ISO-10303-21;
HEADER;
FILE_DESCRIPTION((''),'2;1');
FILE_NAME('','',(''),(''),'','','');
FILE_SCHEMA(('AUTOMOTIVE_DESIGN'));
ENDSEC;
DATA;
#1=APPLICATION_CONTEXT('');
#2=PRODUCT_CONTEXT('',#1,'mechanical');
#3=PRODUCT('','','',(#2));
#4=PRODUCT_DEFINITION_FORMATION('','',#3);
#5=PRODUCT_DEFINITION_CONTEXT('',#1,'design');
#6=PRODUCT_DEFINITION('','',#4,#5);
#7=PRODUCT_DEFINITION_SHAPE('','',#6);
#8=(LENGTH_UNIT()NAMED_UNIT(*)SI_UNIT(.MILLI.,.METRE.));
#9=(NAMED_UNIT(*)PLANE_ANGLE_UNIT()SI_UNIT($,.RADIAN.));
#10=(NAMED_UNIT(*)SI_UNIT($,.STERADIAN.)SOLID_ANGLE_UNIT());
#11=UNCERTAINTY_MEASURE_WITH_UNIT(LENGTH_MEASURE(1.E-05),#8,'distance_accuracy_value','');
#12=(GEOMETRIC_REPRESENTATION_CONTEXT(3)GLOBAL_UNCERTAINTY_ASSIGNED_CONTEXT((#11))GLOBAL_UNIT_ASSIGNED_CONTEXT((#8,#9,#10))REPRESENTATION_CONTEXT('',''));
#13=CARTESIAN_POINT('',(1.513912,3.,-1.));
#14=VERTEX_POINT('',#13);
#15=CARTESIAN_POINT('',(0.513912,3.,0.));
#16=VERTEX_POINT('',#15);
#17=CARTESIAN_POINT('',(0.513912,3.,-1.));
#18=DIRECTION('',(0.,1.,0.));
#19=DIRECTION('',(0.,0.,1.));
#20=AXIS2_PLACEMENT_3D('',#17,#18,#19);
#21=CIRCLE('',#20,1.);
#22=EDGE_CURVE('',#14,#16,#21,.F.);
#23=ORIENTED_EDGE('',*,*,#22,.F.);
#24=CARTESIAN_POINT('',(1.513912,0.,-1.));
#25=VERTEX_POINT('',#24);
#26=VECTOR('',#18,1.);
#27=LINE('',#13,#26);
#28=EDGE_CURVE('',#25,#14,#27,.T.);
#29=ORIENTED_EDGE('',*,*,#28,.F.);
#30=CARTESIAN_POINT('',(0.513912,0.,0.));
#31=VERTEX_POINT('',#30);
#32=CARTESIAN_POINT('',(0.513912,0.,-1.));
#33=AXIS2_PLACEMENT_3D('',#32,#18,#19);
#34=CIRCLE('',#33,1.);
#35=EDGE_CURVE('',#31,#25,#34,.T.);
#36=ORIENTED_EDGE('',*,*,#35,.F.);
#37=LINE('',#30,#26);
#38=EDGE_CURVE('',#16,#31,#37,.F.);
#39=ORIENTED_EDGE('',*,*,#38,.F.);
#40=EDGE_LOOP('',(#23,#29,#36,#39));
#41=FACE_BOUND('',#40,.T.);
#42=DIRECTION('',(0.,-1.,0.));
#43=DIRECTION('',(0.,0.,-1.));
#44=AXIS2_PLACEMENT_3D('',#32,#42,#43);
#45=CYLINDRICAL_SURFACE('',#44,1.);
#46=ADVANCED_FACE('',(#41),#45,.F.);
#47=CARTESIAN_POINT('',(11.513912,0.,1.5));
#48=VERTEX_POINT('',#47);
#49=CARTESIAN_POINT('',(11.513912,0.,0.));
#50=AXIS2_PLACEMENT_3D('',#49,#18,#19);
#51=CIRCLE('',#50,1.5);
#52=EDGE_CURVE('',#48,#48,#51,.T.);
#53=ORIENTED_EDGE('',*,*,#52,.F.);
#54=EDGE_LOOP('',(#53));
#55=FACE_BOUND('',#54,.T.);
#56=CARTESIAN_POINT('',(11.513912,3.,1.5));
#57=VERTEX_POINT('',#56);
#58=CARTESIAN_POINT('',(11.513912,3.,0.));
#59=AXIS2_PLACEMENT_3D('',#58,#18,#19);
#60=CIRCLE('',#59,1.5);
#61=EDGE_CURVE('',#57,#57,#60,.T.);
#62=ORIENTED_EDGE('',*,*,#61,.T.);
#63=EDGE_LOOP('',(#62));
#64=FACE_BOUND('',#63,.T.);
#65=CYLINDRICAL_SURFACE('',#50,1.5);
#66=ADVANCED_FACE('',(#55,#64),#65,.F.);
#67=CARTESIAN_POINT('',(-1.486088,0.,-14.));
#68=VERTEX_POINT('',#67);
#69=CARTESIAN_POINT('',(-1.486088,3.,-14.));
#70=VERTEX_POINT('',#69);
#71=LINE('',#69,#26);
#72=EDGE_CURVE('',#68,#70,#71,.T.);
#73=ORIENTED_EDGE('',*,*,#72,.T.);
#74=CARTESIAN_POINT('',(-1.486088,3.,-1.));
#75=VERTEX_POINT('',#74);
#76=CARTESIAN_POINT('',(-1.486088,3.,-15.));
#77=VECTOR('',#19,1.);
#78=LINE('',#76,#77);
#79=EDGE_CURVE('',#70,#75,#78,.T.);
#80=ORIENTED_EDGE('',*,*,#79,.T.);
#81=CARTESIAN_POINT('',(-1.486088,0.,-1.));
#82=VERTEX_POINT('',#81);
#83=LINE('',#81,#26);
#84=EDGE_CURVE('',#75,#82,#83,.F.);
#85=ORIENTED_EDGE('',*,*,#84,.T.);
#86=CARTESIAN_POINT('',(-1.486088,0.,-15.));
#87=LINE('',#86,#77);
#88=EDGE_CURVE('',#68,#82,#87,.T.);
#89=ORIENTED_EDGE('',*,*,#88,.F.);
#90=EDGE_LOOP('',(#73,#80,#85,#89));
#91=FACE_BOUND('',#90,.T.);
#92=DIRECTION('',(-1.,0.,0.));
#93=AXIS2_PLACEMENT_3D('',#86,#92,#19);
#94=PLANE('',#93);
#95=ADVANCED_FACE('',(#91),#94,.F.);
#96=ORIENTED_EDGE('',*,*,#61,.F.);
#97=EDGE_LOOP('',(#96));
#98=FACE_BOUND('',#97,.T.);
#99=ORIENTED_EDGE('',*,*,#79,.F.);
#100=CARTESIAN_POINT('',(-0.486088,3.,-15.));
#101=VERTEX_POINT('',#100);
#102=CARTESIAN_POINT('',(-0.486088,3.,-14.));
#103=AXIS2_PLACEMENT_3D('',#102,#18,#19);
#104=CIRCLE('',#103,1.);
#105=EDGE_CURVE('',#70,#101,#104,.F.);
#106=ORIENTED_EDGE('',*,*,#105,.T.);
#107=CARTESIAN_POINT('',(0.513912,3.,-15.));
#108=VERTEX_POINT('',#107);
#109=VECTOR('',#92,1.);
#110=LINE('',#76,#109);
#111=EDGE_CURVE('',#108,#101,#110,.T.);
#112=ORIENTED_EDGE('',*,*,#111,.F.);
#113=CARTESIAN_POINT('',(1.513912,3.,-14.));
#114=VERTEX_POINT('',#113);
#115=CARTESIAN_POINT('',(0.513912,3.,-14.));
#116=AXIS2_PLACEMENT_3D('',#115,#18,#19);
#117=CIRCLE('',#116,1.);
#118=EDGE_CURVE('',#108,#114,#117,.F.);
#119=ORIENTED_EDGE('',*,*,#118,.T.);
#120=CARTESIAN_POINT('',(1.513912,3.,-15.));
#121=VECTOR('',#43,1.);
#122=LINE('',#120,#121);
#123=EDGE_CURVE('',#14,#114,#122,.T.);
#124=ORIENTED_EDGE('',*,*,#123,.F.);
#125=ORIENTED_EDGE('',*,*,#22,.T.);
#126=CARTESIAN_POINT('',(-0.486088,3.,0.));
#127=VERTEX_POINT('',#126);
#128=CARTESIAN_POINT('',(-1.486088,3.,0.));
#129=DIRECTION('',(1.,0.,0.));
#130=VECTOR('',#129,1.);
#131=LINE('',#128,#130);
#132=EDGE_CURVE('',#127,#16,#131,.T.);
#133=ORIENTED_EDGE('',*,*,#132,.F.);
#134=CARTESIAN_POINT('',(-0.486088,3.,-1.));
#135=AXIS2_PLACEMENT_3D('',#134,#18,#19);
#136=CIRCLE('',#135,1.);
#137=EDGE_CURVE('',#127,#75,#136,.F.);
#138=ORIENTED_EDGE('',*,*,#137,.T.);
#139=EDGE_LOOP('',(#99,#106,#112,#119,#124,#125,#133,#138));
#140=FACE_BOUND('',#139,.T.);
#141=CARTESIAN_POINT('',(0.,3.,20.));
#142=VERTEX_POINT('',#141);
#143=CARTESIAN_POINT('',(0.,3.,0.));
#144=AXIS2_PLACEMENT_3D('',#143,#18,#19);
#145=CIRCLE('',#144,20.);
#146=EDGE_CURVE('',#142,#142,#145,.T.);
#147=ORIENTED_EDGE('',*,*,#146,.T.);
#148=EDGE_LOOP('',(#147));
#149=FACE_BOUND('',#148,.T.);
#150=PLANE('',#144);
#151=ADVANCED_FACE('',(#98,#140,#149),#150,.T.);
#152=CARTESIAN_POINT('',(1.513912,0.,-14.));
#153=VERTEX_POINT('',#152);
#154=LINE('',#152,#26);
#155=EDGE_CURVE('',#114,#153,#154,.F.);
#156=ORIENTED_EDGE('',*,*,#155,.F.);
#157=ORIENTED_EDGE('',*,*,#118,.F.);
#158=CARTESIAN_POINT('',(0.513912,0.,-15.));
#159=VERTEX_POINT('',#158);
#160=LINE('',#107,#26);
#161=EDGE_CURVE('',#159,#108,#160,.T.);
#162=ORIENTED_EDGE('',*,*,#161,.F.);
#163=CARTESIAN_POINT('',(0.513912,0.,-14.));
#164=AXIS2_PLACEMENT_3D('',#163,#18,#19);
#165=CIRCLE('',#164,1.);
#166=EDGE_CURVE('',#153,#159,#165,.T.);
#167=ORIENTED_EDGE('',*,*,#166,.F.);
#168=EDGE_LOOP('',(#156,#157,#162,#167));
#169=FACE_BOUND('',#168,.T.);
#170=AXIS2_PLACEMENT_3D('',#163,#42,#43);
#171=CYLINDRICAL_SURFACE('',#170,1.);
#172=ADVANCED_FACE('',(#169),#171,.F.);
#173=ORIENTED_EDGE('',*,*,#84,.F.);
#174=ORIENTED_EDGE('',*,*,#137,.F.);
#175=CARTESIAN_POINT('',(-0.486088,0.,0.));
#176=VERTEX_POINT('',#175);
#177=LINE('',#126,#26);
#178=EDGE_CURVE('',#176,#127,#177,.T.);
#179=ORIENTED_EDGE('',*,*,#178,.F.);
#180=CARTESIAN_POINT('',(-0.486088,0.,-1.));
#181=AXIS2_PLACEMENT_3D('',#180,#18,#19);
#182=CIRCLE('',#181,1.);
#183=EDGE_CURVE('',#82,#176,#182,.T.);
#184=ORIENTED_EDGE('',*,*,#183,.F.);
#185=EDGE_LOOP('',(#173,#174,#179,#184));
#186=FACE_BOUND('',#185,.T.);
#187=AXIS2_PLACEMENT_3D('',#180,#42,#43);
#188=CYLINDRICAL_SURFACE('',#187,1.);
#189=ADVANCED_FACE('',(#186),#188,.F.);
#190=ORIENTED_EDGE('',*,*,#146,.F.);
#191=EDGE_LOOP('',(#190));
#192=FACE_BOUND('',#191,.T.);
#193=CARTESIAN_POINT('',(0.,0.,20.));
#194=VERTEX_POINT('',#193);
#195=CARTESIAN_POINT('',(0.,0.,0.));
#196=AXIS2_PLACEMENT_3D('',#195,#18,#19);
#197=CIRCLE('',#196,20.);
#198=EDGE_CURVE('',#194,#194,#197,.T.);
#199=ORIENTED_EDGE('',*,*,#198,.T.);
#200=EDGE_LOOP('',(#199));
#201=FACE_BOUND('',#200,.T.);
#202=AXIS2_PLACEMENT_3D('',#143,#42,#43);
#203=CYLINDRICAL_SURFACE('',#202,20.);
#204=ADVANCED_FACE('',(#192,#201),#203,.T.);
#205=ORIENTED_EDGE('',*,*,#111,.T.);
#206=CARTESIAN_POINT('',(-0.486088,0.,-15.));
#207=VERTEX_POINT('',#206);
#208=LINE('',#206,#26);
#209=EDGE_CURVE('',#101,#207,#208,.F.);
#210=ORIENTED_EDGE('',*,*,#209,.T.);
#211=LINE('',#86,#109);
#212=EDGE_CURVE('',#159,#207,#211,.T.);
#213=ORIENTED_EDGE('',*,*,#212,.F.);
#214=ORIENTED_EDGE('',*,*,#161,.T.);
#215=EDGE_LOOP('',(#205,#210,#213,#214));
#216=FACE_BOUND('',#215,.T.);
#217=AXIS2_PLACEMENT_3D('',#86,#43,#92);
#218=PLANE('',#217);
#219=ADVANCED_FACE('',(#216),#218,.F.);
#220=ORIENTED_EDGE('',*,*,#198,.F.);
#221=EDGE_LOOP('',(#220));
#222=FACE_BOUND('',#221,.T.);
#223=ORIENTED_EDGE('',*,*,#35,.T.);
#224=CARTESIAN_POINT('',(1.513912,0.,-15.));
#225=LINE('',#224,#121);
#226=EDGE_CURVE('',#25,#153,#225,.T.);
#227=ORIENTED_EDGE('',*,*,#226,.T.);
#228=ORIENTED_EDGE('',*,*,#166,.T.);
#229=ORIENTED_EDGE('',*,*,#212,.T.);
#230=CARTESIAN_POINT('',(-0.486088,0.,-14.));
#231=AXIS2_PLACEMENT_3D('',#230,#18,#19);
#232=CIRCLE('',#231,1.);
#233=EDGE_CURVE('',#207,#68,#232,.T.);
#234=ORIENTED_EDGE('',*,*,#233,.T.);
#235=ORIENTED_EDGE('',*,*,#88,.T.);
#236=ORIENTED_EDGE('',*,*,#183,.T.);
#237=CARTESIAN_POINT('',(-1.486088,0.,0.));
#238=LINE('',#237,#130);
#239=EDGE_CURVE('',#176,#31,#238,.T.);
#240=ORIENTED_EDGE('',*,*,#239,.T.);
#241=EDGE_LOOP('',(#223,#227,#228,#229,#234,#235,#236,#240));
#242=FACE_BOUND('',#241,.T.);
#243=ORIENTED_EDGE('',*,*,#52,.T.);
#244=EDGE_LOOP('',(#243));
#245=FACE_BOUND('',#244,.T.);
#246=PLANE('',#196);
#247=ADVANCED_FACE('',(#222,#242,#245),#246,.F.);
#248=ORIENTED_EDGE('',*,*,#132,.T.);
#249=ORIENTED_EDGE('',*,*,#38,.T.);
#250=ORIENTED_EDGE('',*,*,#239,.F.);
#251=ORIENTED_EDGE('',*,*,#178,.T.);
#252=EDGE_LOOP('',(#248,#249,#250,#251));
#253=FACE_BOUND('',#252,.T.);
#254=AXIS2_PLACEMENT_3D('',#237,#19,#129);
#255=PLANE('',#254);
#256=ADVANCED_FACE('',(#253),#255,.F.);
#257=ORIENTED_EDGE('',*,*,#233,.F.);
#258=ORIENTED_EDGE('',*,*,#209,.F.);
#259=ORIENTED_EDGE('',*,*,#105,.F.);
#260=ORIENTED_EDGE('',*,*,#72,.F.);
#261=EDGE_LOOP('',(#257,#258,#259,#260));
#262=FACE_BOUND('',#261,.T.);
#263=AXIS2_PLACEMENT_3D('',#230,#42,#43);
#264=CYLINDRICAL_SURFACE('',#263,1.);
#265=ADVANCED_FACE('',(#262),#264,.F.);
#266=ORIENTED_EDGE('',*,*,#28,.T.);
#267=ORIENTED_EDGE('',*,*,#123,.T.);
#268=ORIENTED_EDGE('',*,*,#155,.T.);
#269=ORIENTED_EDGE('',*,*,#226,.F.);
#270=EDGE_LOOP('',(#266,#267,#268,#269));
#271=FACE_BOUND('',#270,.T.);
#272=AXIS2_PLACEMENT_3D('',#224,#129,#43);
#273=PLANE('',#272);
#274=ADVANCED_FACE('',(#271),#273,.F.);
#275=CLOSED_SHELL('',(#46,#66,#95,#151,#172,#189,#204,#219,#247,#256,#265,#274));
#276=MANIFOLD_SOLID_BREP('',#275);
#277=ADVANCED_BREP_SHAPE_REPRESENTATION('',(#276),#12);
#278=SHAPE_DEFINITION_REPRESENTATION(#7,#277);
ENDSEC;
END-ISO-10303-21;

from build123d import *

# Parameters (mm, degrees)
SKETCH1_R           = 20
BOSS_EXTRUDE1_DEPTH = 3
SKETCH2_W           = 3
SKETCH2_H           = 15
CUT_EXTRUDE1_DEPTH  = 3
SKETCH3_R           = 1.5
CUT_EXTRUDE2_DEPTH  = 3
FILLET1_R           = 1
FILLET2_R           = 1
FILLET3_R           = 1
FILLET4_R           = 1


with BuildPart() as part:
    # Sketch1 → Boss-Extrude1 (new body)
    with BuildSketch(Plane(origin=(0, 0, 0), x_dir=(1, 0, 0), z_dir=(0, 1, 0))):
        with Locations(Location((0, 0, 0), (0, 0, 270))):
            Circle(SKETCH1_R)
    extrude(amount=BOSS_EXTRUDE1_DEPTH)

    # Sketch2 → Cut-Extrude1 (cut)
    with BuildSketch(Plane(origin=(0, 3, 0), x_dir=(1, 0, 0), z_dir=(0, 1, 0))):
        with Locations((0.013912119, 7.5)):
            Rectangle(SKETCH2_W, SKETCH2_H)
    extrude(amount=-CUT_EXTRUDE1_DEPTH, mode=Mode.SUBTRACT)

    # Sketch3 → Cut-Extrude2 (cut)
    with BuildSketch(Plane(origin=(0, 3, 0), x_dir=(1, 0, 0), z_dir=(0, 1, 0))):
        with Locations(Location((11.513912119, 0, 0), (0, 0, 270))):
            Circle(SKETCH3_R)
    extrude(amount=-CUT_EXTRUDE2_DEPTH, mode=Mode.SUBTRACT)

    # Fillet1
    fillet1_edges = [part.edges().sort_by_distance(p)[0] for p in [
        (-1.486087881, 1.5, -15),
    ]]
    fillet(fillet1_edges, radius=FILLET1_R)

    # Fillet2
    fillet2_edges = [part.edges().sort_by_distance(p)[0] for p in [
        (1.513912119, 1.5, -15),
    ]]
    fillet(fillet2_edges, radius=FILLET2_R)

    # Fillet3
    fillet3_edges = [part.edges().sort_by_distance(p)[0] for p in [
        (-1.486087881, 1.5, 0),
    ]]
    fillet(fillet3_edges, radius=FILLET3_R)

    # Fillet4
    fillet4_edges = [part.edges().sort_by_distance(p)[0] for p in [
        (1.513912119, 1.5, 0),
    ]]
    fillet(fillet4_edges, radius=FILLET4_R)


solid = part.part
